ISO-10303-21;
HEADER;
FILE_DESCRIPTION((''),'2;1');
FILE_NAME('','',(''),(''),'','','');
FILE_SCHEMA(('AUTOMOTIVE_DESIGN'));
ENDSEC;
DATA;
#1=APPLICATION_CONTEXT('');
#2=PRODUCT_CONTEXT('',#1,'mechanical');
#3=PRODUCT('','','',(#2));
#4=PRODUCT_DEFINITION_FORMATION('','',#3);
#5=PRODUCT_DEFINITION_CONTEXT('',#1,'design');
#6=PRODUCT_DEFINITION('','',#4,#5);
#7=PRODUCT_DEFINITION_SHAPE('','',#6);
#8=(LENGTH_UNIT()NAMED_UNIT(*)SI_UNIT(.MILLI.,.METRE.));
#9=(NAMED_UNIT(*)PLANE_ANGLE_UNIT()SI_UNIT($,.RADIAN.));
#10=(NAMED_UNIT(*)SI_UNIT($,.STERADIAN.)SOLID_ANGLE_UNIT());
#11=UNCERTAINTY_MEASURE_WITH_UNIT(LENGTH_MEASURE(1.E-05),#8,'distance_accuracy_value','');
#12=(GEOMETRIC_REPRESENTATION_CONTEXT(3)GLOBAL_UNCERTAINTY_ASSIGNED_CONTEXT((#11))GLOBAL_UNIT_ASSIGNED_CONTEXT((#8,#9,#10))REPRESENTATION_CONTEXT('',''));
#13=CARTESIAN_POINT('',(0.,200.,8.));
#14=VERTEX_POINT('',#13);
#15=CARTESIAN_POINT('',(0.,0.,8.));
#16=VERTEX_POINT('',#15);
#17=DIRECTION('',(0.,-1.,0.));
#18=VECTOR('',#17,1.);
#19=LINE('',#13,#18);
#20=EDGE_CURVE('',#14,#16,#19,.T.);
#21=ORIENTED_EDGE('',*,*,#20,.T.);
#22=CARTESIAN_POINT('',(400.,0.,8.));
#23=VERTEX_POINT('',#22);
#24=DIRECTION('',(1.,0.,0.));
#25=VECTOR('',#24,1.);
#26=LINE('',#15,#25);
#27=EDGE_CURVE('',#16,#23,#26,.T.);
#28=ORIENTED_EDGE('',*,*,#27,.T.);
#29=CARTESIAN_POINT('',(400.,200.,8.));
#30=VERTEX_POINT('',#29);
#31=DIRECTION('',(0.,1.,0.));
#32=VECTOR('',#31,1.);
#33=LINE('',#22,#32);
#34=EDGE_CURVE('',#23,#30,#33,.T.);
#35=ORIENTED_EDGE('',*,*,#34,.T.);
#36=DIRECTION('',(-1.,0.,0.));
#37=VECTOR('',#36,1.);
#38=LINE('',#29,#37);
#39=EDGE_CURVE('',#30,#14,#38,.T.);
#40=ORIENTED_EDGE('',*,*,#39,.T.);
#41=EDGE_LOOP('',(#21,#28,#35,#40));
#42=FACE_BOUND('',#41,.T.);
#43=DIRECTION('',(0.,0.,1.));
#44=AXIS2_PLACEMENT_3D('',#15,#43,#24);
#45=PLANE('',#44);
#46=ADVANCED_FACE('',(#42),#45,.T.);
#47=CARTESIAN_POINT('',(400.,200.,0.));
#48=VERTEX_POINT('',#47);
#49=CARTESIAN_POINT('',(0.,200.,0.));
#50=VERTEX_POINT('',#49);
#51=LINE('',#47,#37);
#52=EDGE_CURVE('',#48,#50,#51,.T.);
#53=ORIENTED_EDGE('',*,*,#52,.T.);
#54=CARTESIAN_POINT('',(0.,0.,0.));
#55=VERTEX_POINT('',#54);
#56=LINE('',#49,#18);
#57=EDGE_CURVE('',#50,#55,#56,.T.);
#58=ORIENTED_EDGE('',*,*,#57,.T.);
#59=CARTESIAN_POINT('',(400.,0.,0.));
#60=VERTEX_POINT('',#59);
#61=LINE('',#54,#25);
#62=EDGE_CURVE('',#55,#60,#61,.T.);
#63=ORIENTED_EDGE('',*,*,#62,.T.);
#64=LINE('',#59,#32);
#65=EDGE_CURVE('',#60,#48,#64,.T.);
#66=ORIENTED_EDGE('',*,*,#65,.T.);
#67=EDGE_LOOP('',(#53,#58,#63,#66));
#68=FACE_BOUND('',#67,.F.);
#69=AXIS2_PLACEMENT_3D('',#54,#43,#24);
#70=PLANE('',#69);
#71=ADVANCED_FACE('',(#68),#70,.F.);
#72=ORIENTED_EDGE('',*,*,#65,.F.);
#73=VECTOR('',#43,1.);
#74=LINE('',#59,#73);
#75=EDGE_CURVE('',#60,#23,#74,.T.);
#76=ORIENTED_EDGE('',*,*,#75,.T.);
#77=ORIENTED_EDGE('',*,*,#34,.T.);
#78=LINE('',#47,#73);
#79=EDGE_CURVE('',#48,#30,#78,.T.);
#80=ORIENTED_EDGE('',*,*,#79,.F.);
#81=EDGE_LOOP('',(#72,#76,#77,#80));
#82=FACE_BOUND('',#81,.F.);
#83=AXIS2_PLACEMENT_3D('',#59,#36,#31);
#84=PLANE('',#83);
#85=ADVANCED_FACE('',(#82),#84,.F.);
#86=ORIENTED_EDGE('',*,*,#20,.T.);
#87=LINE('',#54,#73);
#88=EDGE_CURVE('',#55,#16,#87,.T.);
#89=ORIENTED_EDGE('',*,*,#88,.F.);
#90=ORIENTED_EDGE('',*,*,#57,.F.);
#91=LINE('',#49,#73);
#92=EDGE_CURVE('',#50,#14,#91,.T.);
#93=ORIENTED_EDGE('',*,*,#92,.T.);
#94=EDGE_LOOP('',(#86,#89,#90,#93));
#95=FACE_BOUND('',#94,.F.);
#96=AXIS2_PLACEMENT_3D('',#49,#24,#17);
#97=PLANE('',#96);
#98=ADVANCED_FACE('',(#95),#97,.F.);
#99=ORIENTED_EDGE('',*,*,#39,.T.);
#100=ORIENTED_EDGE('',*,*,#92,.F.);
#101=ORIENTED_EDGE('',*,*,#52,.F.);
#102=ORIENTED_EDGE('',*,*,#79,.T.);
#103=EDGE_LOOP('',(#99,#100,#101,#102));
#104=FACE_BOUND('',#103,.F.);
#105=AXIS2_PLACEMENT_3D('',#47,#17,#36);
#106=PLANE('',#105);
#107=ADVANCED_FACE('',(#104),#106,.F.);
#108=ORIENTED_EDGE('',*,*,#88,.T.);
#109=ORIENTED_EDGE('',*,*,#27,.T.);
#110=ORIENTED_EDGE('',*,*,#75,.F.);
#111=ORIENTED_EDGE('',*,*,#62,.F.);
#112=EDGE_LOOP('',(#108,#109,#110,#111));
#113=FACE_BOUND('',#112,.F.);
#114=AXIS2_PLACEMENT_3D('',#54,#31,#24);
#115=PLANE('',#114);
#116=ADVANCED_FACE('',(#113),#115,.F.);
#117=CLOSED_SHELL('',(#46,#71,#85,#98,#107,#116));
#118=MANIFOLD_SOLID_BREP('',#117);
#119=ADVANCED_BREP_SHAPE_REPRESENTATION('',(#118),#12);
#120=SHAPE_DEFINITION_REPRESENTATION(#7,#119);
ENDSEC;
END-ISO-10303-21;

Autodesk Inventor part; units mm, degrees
ref_plane "YZ Plane" through (0, 0, 0) normal (1, 0, 0) x (0, 1, 0)
ref_plane "XZ Plane" through (0, 0, 0) normal (0, 1, 0) x (-1, 0, 0)
ref_plane "XY Plane" through (0, 0, 0) normal (0, 0, 1) x (1, 0, 0)
sketch "Sketch1" plane through (0, 0, 0) normal (0, 0, 1) x (1, 0, 0)
  line L0 (0, 0) -> (400, 0)
  line L1 (400, 0) -> (400, 200)
  line L2 (400, 200) -> (0, 200)
  line L3 (0, 200) -> (0, 0)
  dimension "d0" = 400
  dimension "d1" = 200
extrude "Extrusion1" add sketch "Sketch1" along normal blind 8
properties part number "capac cu gaura2"
